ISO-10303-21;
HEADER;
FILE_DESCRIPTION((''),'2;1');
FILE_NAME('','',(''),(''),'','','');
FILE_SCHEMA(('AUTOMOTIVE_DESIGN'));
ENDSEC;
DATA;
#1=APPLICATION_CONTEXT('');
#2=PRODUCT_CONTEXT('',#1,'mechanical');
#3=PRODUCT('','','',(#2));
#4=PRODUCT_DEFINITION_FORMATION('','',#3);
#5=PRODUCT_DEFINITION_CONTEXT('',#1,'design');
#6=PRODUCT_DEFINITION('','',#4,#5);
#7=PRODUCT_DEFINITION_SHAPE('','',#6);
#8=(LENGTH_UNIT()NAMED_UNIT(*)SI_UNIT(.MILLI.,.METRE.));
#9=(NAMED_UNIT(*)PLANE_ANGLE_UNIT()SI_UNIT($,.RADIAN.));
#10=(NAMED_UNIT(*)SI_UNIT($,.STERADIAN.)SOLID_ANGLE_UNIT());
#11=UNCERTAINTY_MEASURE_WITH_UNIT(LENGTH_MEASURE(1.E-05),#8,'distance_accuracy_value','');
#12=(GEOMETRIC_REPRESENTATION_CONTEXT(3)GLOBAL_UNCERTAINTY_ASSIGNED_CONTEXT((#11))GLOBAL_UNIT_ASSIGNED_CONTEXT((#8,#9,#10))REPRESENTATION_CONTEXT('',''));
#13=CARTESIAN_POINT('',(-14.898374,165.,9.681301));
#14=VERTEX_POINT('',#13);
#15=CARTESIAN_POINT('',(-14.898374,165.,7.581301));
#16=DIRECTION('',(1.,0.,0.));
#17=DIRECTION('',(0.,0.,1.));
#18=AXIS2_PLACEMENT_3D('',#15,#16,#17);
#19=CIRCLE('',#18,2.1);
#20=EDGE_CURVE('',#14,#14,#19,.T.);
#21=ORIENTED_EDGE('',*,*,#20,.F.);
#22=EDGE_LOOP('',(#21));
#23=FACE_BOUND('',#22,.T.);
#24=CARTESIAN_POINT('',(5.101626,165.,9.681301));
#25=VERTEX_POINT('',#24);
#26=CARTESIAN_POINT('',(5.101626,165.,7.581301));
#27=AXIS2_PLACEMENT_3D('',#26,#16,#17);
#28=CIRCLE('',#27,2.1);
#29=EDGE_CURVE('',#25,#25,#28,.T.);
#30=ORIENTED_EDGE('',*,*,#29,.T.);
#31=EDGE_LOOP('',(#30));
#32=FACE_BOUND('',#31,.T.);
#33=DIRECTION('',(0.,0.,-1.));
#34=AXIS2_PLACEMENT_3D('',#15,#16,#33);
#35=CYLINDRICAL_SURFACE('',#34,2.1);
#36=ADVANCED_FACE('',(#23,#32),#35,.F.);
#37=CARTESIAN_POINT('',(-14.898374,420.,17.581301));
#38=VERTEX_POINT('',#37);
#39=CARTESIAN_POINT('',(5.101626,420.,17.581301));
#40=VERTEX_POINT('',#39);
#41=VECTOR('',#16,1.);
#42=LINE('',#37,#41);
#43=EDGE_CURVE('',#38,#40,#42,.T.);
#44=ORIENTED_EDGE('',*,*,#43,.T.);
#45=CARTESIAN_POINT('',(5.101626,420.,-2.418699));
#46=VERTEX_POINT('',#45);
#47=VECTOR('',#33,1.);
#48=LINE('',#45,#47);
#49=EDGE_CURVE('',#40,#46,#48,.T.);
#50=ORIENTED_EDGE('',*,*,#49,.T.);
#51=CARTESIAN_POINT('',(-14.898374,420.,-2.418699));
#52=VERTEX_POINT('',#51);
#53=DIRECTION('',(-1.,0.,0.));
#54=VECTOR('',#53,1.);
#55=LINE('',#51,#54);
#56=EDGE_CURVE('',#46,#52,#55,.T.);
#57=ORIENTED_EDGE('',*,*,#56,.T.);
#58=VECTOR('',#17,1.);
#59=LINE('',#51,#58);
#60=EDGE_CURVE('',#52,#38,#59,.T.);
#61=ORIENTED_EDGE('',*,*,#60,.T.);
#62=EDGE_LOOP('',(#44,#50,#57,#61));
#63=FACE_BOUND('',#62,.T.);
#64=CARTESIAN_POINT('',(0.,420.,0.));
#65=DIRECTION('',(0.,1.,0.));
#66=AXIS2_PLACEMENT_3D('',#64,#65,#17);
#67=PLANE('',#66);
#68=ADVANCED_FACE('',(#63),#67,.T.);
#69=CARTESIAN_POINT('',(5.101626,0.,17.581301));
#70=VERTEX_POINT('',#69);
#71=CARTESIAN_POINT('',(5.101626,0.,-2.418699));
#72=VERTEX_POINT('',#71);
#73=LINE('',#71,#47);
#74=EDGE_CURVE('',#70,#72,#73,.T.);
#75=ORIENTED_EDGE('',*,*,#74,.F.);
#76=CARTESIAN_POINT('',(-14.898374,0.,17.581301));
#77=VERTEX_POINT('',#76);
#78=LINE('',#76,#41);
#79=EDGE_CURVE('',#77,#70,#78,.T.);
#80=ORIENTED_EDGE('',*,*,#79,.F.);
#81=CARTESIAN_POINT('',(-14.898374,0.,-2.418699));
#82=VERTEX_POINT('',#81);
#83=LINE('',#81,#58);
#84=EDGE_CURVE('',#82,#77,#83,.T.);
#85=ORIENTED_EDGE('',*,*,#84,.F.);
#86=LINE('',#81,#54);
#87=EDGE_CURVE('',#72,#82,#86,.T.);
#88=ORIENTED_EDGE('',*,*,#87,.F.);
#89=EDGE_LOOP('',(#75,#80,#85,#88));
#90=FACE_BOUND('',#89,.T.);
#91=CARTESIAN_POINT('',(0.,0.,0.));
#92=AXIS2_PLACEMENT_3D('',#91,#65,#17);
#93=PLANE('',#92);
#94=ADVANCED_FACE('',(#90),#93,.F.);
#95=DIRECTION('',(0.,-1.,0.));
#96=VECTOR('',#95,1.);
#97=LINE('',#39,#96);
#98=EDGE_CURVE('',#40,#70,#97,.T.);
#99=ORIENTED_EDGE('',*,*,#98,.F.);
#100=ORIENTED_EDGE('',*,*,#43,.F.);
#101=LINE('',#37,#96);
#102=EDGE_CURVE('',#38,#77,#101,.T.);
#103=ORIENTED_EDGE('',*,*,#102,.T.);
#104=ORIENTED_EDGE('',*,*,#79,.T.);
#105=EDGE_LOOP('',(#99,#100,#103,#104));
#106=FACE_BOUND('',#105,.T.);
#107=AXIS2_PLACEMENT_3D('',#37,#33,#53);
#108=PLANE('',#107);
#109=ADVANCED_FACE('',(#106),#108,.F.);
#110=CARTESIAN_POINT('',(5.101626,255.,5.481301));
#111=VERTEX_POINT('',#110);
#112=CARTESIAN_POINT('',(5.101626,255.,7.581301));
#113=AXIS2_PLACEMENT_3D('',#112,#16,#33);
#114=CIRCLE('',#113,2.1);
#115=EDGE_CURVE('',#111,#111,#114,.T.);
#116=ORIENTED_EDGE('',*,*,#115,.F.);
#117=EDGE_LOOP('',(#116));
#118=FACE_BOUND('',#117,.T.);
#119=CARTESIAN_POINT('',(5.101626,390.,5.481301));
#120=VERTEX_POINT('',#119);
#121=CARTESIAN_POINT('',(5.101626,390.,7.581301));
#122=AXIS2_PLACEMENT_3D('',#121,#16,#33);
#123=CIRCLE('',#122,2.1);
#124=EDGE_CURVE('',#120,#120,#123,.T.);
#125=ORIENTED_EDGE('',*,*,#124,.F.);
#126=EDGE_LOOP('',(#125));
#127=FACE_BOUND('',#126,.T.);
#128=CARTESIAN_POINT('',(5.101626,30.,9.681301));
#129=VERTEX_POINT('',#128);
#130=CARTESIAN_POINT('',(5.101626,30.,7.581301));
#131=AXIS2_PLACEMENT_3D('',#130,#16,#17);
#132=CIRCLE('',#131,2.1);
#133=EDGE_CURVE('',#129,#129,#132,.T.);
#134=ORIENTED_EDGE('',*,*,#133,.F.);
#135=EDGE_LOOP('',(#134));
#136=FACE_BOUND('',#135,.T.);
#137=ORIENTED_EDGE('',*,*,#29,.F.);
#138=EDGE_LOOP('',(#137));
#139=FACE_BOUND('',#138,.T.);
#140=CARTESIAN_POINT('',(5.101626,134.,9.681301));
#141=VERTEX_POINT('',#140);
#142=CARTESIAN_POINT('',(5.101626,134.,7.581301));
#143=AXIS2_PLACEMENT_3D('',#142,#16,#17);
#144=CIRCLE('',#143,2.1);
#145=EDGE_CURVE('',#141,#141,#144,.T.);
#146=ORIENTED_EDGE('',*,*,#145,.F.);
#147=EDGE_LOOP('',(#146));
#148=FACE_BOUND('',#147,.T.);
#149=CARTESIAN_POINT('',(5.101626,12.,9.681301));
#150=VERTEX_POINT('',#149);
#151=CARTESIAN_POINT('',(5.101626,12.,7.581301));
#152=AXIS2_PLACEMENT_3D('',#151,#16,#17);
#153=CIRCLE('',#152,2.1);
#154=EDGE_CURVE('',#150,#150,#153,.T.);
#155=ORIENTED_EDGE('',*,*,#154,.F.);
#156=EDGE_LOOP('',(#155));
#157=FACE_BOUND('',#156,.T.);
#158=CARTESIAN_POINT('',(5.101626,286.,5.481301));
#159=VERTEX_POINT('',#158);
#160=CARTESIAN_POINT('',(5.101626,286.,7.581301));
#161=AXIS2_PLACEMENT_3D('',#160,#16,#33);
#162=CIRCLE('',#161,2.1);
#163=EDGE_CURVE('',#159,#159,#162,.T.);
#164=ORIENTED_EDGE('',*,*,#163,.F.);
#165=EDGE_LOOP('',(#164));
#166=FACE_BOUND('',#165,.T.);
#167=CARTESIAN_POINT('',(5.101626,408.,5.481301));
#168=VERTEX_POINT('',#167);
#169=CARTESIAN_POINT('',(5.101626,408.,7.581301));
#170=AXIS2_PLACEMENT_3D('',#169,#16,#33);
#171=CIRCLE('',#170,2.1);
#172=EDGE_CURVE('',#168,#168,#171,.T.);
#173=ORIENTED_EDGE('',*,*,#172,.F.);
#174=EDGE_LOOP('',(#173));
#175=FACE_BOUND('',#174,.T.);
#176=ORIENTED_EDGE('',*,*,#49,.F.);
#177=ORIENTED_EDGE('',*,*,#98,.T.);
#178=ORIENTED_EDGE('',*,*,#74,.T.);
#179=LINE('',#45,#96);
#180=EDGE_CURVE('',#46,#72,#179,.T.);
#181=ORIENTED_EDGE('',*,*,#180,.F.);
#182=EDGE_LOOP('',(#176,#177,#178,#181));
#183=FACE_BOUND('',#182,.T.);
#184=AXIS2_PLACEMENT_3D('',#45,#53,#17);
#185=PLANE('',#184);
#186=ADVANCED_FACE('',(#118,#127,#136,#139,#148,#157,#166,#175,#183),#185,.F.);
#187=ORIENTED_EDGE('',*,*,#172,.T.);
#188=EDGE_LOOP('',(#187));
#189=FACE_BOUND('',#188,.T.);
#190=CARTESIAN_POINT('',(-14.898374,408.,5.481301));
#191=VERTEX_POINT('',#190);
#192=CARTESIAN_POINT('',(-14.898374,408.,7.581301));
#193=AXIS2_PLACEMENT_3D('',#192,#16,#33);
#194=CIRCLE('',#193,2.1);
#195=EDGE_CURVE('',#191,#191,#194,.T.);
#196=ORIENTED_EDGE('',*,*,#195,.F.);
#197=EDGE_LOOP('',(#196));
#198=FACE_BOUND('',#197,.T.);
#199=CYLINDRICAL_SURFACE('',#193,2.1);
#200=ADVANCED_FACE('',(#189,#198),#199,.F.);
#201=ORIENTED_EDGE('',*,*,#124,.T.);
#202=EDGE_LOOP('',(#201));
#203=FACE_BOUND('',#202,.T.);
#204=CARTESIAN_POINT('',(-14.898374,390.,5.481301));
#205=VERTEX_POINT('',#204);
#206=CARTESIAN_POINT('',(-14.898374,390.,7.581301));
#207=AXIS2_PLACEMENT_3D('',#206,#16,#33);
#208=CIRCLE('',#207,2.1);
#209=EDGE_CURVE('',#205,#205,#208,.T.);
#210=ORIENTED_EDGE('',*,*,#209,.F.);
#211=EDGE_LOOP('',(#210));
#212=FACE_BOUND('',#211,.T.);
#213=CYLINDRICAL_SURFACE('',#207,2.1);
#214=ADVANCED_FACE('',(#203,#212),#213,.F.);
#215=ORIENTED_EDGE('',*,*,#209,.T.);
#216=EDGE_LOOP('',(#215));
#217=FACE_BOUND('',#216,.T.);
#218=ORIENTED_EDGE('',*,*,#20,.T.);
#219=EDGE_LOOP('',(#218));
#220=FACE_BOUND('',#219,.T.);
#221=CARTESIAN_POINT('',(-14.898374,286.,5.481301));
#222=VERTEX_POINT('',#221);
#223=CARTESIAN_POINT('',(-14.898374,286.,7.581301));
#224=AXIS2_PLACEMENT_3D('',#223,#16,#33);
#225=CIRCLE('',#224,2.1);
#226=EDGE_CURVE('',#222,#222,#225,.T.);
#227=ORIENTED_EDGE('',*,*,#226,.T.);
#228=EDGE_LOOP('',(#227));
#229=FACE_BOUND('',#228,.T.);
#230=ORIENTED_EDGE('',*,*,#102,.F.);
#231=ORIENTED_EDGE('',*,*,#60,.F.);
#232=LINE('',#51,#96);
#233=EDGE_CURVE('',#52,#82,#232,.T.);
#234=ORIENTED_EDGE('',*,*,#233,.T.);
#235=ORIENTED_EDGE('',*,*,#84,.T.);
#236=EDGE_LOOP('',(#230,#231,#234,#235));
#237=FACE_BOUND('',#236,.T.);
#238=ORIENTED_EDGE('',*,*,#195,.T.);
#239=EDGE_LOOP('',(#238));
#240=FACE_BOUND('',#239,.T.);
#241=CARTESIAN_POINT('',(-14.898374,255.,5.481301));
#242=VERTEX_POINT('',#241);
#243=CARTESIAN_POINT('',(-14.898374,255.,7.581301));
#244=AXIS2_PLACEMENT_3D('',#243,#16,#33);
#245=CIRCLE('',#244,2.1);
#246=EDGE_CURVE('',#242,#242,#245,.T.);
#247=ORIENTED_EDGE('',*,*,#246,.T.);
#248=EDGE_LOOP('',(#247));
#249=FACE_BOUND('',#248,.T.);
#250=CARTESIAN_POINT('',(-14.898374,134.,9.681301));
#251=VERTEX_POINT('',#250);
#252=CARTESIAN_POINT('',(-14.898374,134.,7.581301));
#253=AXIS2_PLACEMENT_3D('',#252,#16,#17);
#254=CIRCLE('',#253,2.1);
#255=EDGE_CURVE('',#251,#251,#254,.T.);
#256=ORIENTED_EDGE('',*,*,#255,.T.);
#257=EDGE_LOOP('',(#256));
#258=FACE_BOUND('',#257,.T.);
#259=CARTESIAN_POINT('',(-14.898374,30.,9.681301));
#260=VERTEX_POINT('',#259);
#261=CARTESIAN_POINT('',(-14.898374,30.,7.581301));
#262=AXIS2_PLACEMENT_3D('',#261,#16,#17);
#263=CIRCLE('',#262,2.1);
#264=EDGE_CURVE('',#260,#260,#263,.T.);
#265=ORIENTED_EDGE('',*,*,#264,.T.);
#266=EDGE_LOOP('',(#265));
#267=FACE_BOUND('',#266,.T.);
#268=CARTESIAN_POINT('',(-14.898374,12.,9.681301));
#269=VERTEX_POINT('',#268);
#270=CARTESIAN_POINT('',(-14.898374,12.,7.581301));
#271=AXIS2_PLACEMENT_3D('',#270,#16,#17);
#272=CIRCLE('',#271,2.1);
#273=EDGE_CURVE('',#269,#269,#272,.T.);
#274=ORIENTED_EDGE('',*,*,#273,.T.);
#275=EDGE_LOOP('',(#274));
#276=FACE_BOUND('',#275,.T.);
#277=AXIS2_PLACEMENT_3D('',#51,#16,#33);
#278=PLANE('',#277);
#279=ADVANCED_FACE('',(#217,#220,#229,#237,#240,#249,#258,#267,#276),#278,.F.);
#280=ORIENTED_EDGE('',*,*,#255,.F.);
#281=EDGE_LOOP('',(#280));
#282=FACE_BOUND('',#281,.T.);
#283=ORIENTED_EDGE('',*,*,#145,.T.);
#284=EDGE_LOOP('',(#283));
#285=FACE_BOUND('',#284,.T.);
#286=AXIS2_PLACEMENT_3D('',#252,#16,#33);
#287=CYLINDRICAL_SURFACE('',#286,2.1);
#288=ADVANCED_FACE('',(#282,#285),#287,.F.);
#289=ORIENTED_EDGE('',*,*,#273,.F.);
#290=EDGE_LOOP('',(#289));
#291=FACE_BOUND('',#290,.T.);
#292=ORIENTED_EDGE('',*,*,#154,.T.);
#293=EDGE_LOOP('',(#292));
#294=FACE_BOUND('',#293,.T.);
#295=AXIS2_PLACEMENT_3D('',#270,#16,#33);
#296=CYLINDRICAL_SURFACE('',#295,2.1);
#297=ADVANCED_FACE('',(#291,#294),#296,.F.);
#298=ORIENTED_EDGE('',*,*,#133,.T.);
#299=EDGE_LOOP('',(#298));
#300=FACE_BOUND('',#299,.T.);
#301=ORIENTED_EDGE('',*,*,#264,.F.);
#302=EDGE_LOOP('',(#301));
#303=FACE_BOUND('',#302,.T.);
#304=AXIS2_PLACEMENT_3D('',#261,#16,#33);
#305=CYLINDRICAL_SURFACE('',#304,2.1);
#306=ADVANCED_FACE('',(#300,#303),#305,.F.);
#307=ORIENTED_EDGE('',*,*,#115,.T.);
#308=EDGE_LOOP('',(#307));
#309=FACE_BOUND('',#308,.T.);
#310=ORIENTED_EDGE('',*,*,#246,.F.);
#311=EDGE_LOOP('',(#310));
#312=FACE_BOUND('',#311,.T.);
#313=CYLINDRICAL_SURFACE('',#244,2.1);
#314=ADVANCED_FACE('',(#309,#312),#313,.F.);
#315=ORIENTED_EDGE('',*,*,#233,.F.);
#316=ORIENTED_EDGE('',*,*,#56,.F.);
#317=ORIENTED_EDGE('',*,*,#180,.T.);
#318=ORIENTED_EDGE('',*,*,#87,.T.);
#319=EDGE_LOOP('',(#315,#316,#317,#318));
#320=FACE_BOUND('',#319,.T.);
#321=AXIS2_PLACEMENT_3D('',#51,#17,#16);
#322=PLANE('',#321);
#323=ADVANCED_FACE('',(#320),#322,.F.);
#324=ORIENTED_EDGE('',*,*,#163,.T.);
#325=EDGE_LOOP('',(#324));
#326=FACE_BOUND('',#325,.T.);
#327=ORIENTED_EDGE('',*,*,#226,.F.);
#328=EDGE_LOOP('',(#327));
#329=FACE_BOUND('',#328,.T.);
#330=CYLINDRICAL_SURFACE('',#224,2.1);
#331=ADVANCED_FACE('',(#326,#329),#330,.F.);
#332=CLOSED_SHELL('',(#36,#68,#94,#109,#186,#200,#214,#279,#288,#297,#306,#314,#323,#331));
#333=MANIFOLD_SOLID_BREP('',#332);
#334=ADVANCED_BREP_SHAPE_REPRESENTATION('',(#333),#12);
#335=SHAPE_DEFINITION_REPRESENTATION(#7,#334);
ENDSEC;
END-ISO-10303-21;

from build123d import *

# Parameters (mm, degrees)
SKETCH_1_W          = 20
SKETCH_1_H          = 20
EXTRUDE_1_DEPTH     = 420
SKETCH_3_R          = 2.1
CUT_EXTRUDE_2_DEPTH = 421.843322554
SKETCH_4_R          = 2.1
CUT_EXTRUDE_3_DEPTH = 421.843322554


with BuildPart() as part:
    # 草图1 → 凸台-拉伸1 (new body)
    with BuildSketch(Plane(origin=(0, 0, 0), x_dir=(1, 0, 0), z_dir=(0, 1, 0))):
        with Locations((-4.898373984, -7.581300813)):
            Rectangle(SKETCH_1_W, SKETCH_1_H)
    extrude(amount=EXTRUDE_1_DEPTH)

    # 草图3 → 切除-拉伸2 (cut, through all)
    with BuildSketch(Plane(origin=(5.101626016, 0, 0), x_dir=(0, 0, -1), z_dir=(1, 0, 0))):
        with Locations((-7.581300813, 390)):
            Circle(SKETCH_3_R)
        with Locations((-7.581300813, 408)):
            Circle(SKETCH_3_R)
        with Locations(Location((-7.581300813, 30, 0), (0, 0, 180))):
            Circle(SKETCH_3_R)
        with Locations(Location((-7.581300813, 12, 0), (0, 0, 180))):
            Circle(SKETCH_3_R)
    extrude(amount=-CUT_EXTRUDE_2_DEPTH, mode=Mode.SUBTRACT)

    # 草图4 → 切除-拉伸3 (cut, through all)
    with BuildSketch(Plane(origin=(5.101626016, 0, 0), x_dir=(0, 0, -1), z_dir=(1, 0, 0))):
        with Locations((-7.581300813, 255)):
            Circle(SKETCH_4_R)
        with Locations((-7.581300813, 286)):
            Circle(SKETCH_4_R)
        with Locations(Location((-7.581300813, 134, 0), (0, 0, 180))):
            Circle(SKETCH_4_R)
        with Locations(Location((-7.581300813, 165, 0), (0, 0, 180))):
            Circle(SKETCH_4_R)
    extrude(amount=-CUT_EXTRUDE_3_DEPTH, mode=Mode.SUBTRACT)


solid = part.part
